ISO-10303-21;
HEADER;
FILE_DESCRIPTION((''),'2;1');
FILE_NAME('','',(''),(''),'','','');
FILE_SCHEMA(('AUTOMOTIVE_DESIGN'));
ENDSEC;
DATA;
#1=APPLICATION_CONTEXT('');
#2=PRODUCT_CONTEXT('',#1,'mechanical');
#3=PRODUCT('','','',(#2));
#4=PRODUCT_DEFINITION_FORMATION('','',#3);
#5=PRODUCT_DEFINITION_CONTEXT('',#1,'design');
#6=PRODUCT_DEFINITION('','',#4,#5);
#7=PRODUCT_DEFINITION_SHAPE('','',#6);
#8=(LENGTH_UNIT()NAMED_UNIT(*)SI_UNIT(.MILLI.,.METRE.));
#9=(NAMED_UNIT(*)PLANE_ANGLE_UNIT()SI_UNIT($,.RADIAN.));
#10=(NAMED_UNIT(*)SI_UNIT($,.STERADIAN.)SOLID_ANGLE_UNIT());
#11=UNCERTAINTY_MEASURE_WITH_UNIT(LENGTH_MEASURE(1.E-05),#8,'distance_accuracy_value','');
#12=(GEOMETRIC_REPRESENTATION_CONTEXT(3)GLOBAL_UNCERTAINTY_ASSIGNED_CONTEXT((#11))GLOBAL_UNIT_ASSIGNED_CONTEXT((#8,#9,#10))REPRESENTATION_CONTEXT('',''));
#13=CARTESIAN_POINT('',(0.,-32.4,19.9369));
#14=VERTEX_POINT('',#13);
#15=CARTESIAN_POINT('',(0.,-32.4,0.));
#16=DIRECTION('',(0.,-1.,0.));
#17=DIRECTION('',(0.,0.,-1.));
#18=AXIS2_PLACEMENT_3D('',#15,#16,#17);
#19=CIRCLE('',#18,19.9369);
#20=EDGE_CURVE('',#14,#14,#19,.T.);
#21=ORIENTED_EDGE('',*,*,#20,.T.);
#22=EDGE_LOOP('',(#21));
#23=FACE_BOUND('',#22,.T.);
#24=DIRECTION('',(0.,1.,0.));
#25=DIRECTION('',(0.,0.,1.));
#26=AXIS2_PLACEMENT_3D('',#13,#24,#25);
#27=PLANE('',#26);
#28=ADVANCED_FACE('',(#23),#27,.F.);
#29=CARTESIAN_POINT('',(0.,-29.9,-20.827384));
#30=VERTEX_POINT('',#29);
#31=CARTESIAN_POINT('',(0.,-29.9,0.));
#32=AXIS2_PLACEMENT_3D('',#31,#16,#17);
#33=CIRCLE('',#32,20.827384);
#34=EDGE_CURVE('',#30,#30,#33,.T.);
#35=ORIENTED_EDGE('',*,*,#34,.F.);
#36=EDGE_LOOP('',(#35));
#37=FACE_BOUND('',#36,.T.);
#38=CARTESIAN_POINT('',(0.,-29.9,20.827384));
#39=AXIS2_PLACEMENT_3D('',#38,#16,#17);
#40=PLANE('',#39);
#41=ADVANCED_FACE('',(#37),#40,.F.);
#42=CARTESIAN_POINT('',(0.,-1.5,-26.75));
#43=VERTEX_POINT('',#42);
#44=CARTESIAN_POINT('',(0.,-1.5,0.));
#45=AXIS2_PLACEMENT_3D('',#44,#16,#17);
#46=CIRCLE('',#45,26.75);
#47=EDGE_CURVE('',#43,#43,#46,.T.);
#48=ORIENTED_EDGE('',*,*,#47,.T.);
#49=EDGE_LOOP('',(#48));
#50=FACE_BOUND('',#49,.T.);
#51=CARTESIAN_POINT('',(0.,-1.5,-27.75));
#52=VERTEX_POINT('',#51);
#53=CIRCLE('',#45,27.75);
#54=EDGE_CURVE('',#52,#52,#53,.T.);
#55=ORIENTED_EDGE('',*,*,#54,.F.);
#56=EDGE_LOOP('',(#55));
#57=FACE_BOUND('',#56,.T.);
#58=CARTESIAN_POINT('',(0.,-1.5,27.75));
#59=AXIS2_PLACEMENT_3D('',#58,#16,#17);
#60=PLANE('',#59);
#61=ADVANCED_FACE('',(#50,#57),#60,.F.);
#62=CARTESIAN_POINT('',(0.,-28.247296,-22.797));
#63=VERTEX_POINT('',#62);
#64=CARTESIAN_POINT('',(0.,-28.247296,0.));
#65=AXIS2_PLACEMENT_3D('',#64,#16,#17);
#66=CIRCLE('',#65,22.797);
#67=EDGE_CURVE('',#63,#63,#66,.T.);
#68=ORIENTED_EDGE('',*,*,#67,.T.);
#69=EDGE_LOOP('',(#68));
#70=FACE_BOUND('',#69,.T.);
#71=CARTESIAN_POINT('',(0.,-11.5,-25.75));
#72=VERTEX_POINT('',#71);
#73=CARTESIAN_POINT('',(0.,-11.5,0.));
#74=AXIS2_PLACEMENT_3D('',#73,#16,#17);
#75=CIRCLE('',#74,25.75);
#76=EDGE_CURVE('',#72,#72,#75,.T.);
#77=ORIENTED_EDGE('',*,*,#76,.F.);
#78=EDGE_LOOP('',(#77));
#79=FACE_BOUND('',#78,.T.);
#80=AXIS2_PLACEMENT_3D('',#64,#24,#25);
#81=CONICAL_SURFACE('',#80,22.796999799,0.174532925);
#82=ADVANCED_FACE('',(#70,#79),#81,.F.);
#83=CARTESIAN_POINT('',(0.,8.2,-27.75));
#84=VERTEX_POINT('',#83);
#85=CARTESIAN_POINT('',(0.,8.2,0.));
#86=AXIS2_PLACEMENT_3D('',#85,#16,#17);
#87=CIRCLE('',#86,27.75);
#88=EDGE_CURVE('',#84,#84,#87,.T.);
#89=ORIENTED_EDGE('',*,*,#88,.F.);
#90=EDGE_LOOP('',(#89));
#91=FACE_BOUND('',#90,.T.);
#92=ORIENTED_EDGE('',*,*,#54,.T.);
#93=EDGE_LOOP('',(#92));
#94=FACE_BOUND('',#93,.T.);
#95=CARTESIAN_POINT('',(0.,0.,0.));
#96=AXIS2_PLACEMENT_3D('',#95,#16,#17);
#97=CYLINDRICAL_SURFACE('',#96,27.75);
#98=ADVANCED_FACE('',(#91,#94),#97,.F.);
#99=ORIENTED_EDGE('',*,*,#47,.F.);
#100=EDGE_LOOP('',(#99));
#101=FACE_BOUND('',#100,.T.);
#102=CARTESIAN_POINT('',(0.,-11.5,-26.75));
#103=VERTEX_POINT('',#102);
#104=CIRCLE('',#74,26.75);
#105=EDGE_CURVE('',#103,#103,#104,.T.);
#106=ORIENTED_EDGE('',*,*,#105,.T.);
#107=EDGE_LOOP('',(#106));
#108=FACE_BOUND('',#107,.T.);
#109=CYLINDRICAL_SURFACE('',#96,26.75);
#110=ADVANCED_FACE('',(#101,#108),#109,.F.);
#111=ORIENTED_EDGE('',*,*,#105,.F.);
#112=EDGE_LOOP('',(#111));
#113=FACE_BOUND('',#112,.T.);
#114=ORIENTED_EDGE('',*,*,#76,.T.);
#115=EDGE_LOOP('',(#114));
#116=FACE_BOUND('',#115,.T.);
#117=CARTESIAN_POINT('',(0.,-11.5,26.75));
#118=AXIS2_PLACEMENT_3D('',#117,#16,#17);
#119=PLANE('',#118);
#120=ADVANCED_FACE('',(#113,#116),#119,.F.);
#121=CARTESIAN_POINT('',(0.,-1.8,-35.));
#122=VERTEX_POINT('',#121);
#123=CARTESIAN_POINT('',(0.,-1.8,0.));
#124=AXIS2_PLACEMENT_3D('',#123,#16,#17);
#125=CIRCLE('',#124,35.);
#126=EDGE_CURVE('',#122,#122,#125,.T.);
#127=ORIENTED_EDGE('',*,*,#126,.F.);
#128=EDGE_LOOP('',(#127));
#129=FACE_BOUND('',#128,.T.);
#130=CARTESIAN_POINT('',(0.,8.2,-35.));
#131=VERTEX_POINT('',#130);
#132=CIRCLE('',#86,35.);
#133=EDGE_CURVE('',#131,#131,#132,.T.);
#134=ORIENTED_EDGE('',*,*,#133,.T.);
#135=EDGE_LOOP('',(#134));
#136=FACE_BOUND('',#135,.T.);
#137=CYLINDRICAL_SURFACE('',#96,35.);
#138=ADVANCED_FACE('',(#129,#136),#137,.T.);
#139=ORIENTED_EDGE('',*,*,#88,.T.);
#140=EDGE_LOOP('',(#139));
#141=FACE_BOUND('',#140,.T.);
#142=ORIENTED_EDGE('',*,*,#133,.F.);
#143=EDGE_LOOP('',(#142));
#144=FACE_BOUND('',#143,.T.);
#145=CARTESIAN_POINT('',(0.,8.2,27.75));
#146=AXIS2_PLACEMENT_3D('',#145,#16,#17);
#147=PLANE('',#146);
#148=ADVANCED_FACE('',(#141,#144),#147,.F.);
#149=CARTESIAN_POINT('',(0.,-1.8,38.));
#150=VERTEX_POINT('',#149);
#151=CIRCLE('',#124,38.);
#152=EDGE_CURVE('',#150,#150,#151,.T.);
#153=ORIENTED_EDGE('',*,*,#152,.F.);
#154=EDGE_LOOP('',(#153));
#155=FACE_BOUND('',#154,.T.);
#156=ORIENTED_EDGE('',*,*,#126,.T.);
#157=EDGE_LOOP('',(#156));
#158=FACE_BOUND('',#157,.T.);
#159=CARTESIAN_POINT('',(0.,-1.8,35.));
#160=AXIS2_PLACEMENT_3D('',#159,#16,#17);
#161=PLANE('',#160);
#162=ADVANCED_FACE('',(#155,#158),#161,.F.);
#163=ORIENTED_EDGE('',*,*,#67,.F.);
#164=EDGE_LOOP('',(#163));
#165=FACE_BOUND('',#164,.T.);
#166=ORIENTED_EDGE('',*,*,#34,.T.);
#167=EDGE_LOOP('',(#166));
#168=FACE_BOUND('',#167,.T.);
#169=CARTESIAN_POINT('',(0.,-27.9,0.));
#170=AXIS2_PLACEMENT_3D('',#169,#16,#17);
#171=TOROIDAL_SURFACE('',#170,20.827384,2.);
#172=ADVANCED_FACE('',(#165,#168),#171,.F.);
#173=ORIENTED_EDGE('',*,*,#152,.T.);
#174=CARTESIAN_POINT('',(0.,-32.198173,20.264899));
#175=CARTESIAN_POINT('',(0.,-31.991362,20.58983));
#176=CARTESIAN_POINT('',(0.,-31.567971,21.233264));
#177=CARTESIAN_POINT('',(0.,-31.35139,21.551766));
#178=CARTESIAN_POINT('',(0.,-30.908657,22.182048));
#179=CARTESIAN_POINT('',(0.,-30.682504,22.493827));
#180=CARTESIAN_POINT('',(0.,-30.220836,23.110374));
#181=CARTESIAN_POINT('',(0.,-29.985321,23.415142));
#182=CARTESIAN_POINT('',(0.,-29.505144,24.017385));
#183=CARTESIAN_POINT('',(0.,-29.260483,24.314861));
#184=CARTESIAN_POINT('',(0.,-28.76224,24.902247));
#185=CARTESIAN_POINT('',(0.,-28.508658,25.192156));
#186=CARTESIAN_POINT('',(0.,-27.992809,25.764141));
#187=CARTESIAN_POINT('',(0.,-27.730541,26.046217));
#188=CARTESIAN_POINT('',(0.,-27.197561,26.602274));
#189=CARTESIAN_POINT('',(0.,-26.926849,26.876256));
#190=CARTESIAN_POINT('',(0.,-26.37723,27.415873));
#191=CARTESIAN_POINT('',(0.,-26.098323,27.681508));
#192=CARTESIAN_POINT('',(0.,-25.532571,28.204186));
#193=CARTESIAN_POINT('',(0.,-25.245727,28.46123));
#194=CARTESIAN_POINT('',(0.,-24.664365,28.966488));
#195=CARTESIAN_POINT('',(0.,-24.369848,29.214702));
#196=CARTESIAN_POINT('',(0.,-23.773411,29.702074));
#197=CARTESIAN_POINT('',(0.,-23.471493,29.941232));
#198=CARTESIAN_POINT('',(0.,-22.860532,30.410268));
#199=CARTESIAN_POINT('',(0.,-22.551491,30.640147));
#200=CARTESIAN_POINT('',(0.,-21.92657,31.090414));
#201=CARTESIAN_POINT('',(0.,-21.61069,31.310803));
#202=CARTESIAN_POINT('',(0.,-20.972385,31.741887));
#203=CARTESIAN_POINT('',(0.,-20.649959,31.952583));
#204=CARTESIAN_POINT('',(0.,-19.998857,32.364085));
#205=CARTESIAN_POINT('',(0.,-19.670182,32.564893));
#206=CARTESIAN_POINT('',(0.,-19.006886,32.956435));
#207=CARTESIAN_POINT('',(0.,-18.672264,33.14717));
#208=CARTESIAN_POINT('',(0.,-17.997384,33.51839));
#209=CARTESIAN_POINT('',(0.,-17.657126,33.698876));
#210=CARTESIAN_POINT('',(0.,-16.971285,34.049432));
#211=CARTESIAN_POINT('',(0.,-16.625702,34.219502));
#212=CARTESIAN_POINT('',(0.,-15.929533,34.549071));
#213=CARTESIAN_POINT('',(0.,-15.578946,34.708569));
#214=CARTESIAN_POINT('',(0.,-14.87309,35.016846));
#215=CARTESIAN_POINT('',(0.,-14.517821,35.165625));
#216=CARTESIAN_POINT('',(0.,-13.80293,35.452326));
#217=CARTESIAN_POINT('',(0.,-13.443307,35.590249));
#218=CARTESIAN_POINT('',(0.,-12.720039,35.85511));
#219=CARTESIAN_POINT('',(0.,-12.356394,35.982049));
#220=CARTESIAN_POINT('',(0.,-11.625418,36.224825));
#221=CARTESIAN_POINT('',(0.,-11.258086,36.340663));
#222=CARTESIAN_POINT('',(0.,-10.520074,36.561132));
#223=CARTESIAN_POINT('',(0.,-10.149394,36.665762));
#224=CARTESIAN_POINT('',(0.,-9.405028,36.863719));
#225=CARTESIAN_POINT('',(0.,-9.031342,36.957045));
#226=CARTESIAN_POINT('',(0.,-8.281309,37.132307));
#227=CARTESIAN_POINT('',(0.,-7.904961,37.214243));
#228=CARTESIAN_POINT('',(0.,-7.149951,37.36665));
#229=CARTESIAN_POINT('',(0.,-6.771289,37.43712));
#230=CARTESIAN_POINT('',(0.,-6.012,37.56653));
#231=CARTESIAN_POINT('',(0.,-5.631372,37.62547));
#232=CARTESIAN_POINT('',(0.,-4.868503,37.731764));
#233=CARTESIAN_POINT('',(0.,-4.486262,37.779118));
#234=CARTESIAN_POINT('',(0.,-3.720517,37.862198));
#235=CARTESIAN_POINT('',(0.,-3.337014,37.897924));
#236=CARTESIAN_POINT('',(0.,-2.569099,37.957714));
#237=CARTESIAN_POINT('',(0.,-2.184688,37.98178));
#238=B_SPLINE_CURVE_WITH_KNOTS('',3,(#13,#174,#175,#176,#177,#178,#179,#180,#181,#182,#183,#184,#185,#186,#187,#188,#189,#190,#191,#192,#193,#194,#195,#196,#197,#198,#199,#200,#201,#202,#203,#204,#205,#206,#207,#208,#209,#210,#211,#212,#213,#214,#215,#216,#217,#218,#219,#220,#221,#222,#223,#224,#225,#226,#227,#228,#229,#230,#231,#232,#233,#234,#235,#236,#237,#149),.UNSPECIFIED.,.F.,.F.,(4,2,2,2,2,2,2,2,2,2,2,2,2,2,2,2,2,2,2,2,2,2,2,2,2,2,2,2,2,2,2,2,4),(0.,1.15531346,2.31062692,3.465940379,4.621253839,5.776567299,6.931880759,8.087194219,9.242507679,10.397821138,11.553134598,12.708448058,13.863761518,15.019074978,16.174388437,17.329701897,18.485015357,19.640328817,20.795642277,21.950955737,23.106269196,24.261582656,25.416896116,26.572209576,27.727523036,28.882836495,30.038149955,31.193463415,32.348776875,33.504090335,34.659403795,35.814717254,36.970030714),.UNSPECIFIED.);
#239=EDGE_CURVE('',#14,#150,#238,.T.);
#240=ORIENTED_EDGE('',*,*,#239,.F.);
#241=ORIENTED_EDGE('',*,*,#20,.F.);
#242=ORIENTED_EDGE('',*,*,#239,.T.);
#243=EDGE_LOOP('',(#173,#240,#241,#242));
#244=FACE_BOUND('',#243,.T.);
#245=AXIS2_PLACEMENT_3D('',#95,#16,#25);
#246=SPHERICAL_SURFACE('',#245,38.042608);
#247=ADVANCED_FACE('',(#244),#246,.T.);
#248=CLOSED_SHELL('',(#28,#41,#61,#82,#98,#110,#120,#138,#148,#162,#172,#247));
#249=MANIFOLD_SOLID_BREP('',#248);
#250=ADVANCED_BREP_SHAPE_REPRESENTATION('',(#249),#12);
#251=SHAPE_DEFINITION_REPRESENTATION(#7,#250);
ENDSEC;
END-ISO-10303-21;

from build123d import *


with BuildPart() as part:
    # Sketch1 → Revolve1 (revolve)
    with BuildSketch(Plane(origin=(0, 0, 0), x_dir=(0, 0, -1), z_dir=(1, 0, 0)), mode=Mode.PRIVATE) as revolve1_sk:
        with BuildLine():
            Line((-27.75, 0), (-27.75, -1.5))
            Line((-27.75, -1.5), (-26.75, -1.5))
            Line((-26.75, -1.5), (-26.75, -11.5))
            Line((-26.75, -11.5), (-25.75, -11.5))
            Line((-25.75, -11.5), (-22.796999799, -28.247296355))
            ThreePointArc((-22.796999799, -28.247296355), (-22.112959512, -29.432088886), (-20.827384293, -29.9))
            Line((-20.827384293, -29.9), (0, -29.9))
            Line((0, -29.9), (0, -32.4))
            Line((0, -32.4), (-19.936900461, -32.4))
            ThreePointArc((-19.936900461, -32.4), (-32.760664046, -19.338533844), (-38, -1.8))
            Line((-38, -1.8), (-35, -1.8))
            Line((-35, -1.8), (-35, 8.2))
            Line((-35, 8.2), (-27.75, 8.2))
            Line((-27.75, 8.2), (-27.75, 0))
        make_face()
    revolve(revolve1_sk.sketch.rotate(Axis((0, 0, 0), (0, 1, 0)), 180), axis=Axis((0, 0, 0), (0, 1, 0)))


solid = part.part
